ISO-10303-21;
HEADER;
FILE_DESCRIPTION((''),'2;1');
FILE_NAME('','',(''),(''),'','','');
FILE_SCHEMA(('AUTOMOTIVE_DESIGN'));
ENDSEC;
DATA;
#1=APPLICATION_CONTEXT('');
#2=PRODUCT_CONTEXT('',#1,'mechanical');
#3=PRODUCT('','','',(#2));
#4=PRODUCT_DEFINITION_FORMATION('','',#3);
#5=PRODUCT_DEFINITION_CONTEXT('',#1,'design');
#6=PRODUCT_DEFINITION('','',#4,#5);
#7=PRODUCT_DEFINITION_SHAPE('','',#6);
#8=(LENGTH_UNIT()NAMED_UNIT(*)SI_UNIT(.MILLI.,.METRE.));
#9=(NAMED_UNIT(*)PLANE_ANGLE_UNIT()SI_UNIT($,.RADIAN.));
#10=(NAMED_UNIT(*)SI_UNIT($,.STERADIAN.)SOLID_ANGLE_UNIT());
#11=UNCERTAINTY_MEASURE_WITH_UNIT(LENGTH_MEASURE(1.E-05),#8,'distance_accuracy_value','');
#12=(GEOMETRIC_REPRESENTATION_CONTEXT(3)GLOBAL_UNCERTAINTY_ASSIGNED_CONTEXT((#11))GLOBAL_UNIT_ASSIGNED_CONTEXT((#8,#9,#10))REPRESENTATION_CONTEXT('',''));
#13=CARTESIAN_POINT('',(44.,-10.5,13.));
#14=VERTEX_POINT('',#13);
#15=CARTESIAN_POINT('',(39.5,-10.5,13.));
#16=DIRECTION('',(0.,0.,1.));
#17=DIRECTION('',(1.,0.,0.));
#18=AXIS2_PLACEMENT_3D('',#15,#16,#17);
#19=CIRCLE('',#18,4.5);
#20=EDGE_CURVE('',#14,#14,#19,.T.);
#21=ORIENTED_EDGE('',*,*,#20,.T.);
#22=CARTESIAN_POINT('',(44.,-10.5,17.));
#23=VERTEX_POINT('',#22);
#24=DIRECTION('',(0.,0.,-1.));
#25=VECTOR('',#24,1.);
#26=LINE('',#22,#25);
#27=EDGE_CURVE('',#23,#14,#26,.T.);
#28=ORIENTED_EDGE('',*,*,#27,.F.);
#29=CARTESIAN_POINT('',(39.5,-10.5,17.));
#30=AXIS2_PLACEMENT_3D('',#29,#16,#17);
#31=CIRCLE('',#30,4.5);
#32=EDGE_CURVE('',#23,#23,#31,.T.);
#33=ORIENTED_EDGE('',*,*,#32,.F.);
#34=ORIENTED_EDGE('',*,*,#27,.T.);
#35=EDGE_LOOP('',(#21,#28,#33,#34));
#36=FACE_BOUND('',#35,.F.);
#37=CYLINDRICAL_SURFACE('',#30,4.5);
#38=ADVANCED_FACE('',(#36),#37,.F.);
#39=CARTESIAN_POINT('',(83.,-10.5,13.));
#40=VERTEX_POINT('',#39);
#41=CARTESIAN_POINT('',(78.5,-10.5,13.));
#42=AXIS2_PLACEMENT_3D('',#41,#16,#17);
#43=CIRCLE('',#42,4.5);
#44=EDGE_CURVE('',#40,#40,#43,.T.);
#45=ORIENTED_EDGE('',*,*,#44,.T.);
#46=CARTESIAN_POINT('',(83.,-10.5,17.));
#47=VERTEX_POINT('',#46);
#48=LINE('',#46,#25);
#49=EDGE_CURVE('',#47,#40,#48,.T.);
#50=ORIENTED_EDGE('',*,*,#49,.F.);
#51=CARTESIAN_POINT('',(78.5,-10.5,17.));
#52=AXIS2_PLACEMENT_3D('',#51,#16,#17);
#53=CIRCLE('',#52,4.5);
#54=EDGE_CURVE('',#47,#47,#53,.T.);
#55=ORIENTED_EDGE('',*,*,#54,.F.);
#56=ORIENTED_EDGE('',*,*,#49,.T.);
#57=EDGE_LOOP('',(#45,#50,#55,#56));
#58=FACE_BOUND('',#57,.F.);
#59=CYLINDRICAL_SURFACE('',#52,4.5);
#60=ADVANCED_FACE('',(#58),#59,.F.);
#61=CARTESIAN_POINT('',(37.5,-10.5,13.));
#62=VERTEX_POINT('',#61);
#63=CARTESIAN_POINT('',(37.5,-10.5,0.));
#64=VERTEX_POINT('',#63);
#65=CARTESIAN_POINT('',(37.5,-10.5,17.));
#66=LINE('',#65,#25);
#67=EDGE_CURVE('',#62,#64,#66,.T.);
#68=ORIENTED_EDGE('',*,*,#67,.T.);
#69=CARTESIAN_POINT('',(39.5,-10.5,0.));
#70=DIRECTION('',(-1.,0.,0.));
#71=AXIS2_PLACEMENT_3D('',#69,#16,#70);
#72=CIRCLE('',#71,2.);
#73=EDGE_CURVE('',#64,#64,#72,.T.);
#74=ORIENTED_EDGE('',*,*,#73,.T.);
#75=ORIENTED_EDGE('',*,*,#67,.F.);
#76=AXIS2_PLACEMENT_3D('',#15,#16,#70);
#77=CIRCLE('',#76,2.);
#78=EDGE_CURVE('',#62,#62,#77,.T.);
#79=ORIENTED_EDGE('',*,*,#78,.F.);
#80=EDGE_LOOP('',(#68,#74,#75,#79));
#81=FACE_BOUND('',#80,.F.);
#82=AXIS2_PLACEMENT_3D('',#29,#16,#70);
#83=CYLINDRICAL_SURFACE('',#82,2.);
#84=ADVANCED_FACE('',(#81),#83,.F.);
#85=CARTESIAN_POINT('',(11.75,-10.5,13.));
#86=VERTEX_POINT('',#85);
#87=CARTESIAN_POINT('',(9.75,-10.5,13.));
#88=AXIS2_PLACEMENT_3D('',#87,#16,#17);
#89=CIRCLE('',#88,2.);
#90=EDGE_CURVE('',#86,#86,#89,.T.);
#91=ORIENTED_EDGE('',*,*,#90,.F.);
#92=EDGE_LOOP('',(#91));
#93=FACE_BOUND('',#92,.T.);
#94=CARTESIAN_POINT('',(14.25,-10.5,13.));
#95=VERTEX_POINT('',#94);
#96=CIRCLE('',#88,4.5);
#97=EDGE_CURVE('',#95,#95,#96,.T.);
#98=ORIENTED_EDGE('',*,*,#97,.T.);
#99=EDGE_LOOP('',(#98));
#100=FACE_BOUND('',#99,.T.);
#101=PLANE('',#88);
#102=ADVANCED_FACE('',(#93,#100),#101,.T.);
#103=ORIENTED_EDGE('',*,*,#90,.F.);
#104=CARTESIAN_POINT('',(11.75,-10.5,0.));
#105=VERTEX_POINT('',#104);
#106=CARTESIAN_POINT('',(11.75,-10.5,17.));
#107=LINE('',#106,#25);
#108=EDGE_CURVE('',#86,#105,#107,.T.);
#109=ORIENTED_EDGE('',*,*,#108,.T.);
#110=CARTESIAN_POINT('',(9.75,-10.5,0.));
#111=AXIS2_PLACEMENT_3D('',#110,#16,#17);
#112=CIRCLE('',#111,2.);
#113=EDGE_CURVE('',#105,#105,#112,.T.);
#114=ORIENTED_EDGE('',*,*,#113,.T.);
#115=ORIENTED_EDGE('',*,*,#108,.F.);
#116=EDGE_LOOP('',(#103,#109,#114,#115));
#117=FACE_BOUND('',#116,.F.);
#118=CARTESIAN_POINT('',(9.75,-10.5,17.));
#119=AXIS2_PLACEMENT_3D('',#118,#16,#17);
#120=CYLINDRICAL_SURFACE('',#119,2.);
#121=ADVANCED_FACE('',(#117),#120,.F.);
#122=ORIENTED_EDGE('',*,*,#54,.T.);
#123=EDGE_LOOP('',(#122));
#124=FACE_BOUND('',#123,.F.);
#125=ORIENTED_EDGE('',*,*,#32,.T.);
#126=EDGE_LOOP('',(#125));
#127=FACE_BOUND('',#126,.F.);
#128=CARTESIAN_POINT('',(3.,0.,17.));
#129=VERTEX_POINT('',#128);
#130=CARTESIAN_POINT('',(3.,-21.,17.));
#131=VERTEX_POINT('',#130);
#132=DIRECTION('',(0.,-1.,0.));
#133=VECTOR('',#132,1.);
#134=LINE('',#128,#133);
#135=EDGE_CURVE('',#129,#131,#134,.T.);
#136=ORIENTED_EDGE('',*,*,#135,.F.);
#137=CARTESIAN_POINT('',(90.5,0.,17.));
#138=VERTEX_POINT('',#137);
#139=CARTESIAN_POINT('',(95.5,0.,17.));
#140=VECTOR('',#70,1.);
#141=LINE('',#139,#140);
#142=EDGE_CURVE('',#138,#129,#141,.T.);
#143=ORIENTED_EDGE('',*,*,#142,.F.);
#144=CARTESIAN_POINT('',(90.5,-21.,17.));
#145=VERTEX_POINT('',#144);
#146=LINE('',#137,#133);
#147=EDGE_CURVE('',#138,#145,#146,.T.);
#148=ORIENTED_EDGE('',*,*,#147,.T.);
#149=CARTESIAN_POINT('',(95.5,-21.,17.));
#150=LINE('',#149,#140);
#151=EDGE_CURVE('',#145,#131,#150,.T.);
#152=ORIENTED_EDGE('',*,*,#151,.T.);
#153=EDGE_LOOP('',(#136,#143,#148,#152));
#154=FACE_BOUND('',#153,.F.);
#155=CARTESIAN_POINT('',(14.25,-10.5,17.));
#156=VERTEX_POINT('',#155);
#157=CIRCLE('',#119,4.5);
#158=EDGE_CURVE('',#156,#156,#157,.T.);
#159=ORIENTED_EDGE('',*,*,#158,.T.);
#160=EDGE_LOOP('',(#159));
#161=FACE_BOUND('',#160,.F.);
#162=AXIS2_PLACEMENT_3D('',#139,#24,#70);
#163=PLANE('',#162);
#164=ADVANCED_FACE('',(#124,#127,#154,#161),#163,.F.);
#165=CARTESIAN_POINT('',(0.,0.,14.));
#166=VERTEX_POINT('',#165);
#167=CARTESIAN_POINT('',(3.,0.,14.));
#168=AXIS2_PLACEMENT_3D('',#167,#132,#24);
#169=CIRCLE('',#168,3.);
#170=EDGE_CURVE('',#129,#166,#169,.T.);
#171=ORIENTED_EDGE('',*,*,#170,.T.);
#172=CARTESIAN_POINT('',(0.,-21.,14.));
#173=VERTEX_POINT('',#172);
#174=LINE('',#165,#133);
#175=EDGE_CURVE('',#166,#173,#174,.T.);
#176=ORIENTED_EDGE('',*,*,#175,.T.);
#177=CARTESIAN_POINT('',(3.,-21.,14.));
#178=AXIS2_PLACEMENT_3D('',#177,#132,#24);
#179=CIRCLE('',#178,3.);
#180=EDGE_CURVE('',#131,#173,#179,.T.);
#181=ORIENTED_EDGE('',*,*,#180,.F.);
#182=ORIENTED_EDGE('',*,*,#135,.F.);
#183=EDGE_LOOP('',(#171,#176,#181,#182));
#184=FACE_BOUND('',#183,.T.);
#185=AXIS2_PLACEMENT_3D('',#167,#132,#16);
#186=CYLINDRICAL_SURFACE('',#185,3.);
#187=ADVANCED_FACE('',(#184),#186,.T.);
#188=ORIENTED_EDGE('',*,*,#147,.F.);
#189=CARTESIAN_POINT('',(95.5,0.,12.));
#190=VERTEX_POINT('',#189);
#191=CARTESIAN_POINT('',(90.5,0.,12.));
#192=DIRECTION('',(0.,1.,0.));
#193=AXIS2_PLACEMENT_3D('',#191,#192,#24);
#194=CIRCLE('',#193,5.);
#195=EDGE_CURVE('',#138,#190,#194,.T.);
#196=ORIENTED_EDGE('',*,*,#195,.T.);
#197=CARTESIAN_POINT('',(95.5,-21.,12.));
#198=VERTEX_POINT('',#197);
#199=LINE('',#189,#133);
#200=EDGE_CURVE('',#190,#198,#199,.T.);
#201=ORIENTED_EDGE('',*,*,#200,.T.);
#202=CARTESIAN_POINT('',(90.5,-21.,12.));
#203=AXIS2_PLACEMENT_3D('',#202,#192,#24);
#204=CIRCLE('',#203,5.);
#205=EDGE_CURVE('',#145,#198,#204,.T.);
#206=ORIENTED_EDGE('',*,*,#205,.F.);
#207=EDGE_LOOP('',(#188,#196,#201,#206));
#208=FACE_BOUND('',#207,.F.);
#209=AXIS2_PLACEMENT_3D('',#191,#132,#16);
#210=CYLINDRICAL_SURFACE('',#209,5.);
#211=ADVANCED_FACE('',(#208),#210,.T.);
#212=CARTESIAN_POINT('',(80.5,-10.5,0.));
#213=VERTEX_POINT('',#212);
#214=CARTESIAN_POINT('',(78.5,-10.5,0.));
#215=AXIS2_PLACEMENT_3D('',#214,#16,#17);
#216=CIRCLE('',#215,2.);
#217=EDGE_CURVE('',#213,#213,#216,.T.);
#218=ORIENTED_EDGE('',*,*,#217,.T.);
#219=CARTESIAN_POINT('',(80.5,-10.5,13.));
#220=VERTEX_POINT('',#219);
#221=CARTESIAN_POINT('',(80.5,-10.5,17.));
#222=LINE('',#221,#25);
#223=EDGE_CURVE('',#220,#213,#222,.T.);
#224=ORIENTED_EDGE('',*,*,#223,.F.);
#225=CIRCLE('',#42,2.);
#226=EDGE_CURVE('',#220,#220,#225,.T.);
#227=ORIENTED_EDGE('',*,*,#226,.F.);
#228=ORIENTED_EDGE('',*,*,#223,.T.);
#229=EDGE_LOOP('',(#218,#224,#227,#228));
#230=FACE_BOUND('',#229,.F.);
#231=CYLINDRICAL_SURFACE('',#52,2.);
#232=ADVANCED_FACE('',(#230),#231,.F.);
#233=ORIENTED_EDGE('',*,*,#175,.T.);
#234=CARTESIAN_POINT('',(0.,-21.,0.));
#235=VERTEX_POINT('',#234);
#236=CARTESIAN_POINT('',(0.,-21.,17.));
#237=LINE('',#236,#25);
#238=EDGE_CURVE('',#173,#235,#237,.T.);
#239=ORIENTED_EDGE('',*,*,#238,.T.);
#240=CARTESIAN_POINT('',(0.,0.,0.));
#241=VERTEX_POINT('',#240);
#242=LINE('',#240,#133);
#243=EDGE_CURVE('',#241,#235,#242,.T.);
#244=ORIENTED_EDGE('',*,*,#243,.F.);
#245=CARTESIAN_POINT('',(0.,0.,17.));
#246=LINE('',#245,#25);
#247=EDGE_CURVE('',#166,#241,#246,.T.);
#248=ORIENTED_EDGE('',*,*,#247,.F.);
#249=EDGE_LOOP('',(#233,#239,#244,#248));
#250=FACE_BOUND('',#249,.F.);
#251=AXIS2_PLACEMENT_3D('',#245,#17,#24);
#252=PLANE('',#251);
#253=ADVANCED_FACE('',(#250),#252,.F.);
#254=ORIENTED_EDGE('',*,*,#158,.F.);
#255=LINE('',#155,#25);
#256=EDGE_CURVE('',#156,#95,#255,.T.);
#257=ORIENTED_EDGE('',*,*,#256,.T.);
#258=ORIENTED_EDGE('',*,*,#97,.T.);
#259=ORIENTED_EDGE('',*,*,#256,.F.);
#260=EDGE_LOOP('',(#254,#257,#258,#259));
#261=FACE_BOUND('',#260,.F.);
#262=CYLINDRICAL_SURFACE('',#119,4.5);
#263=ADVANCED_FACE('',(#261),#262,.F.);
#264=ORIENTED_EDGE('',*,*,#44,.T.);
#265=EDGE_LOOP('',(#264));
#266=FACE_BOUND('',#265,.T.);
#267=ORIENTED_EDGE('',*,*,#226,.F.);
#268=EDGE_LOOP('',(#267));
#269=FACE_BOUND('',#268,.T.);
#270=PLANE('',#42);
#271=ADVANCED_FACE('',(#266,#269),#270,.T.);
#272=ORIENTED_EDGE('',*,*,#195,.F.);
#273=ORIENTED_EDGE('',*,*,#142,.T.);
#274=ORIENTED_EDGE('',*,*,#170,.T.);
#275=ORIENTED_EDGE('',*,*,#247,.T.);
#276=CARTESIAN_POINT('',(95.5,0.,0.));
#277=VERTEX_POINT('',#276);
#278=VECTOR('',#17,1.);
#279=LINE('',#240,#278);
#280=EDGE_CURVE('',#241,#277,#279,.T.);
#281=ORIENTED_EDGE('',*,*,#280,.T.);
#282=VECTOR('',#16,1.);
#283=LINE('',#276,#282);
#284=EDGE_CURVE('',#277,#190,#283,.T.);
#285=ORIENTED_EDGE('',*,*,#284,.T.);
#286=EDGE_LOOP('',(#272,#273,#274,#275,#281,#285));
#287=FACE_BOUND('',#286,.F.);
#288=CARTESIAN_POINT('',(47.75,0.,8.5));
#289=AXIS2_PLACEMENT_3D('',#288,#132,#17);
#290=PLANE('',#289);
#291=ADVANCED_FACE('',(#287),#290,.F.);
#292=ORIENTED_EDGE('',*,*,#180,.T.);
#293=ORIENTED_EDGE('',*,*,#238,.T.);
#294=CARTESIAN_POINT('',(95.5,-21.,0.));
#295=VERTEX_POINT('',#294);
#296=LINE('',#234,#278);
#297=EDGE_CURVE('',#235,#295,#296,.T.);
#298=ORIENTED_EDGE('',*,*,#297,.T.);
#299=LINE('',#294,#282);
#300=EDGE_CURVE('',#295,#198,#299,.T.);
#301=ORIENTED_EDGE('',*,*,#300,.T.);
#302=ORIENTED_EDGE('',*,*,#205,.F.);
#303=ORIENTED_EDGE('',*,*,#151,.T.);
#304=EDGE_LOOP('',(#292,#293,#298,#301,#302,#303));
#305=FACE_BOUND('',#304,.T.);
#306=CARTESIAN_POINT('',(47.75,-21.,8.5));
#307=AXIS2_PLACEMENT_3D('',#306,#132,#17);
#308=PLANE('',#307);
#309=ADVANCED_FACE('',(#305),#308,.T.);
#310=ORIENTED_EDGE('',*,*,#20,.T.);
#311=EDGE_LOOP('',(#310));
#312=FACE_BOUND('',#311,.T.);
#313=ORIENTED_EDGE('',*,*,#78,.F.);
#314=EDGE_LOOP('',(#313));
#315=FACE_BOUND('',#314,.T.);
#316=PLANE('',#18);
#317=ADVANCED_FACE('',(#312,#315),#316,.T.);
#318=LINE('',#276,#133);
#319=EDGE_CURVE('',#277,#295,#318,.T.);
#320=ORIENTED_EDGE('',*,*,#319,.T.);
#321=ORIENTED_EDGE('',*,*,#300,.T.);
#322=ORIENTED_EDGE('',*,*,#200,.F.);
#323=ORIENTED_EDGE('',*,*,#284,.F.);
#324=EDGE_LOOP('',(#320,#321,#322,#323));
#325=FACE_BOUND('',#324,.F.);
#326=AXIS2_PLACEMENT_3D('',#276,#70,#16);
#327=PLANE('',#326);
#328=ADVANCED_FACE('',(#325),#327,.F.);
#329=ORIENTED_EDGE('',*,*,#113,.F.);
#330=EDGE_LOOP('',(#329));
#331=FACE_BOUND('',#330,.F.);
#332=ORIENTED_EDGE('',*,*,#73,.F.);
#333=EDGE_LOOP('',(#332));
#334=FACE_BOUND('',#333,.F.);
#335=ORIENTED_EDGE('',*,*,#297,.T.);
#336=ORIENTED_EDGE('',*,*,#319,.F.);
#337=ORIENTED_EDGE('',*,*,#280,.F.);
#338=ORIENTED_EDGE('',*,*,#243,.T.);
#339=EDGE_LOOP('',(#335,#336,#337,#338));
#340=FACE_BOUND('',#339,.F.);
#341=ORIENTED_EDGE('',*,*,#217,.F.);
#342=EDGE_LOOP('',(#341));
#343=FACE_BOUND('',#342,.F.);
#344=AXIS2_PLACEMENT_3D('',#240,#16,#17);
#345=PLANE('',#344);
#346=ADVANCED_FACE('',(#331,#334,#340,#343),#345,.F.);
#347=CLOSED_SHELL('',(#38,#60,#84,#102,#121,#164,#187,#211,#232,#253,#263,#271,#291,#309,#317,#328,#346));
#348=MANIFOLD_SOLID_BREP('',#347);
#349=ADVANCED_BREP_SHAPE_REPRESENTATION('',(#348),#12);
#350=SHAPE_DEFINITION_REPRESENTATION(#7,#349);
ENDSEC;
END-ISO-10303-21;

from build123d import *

# Parameters (mm, degrees)
F1_DEPTH = 21
F2_R     = 5
F3_R     = 2
F4_DEPTH = 25
F5_R     = 4.5
F6_DEPTH = 4
F7_R     = 3


with BuildPart() as f1:
    # F0 (on Front) → F1 (new body)
    with BuildSketch(Plane.XZ):
        Polygon((95.5, 17), (6.891753, 17), (0, 17), (0, 0), (95.5, 0), align=None)
    extrude(amount=F1_DEPTH)

    # F2
    f2_edges = [f1.edges().sort_by_distance(p)[0] for p in [
        (95.5, -10.5, 17),
    ]]
    fillet(f2_edges, radius=F2_R)

    # F3 (on face) → F4 (cut)
    with BuildSketch(Plane.XY.offset(17)):
        with BuildLine():
            ThreePointArc((41.5, -10.5), (39.5, -8.5), (37.5, -10.5))
            ThreePointArc((37.5, -10.5), (39.5, -12.5), (41.5, -10.5))
        make_face()
        with BuildLine():
            ThreePointArc((7.75, -10.5), (9.75, -12.5), (11.75, -10.5))
            Line((11.75, -10.5), (7.75, -10.5))
        make_face()
        with BuildLine():
            Line((7.75, -10.5), (11.75, -10.5))
            ThreePointArc((11.75, -10.5), (9.75, -8.5), (7.75, -10.5))
        make_face()
        with Locations((78.5, -10.5)):
            Circle(F3_R)
    extrude(amount=-F4_DEPTH, mode=Mode.SUBTRACT)

    # F5 (on face) → F6 (cut)
    with BuildSketch(Plane.XY.offset(17)):
        with Locations((9.75, -10.5)):
            Circle(F5_R)
        with Locations((39.5, -10.5)):
            Circle(F5_R)
        with Locations((78.5, -10.5)):
            Circle(F5_R)
    extrude(amount=-F6_DEPTH, mode=Mode.SUBTRACT)

    # F7
    f7_edges = [f1.edges().sort_by_distance(p)[0] for p in [
        (0, -10.5, 17),
    ]]
    fillet(f7_edges, radius=F7_R)


solid = f1.part
